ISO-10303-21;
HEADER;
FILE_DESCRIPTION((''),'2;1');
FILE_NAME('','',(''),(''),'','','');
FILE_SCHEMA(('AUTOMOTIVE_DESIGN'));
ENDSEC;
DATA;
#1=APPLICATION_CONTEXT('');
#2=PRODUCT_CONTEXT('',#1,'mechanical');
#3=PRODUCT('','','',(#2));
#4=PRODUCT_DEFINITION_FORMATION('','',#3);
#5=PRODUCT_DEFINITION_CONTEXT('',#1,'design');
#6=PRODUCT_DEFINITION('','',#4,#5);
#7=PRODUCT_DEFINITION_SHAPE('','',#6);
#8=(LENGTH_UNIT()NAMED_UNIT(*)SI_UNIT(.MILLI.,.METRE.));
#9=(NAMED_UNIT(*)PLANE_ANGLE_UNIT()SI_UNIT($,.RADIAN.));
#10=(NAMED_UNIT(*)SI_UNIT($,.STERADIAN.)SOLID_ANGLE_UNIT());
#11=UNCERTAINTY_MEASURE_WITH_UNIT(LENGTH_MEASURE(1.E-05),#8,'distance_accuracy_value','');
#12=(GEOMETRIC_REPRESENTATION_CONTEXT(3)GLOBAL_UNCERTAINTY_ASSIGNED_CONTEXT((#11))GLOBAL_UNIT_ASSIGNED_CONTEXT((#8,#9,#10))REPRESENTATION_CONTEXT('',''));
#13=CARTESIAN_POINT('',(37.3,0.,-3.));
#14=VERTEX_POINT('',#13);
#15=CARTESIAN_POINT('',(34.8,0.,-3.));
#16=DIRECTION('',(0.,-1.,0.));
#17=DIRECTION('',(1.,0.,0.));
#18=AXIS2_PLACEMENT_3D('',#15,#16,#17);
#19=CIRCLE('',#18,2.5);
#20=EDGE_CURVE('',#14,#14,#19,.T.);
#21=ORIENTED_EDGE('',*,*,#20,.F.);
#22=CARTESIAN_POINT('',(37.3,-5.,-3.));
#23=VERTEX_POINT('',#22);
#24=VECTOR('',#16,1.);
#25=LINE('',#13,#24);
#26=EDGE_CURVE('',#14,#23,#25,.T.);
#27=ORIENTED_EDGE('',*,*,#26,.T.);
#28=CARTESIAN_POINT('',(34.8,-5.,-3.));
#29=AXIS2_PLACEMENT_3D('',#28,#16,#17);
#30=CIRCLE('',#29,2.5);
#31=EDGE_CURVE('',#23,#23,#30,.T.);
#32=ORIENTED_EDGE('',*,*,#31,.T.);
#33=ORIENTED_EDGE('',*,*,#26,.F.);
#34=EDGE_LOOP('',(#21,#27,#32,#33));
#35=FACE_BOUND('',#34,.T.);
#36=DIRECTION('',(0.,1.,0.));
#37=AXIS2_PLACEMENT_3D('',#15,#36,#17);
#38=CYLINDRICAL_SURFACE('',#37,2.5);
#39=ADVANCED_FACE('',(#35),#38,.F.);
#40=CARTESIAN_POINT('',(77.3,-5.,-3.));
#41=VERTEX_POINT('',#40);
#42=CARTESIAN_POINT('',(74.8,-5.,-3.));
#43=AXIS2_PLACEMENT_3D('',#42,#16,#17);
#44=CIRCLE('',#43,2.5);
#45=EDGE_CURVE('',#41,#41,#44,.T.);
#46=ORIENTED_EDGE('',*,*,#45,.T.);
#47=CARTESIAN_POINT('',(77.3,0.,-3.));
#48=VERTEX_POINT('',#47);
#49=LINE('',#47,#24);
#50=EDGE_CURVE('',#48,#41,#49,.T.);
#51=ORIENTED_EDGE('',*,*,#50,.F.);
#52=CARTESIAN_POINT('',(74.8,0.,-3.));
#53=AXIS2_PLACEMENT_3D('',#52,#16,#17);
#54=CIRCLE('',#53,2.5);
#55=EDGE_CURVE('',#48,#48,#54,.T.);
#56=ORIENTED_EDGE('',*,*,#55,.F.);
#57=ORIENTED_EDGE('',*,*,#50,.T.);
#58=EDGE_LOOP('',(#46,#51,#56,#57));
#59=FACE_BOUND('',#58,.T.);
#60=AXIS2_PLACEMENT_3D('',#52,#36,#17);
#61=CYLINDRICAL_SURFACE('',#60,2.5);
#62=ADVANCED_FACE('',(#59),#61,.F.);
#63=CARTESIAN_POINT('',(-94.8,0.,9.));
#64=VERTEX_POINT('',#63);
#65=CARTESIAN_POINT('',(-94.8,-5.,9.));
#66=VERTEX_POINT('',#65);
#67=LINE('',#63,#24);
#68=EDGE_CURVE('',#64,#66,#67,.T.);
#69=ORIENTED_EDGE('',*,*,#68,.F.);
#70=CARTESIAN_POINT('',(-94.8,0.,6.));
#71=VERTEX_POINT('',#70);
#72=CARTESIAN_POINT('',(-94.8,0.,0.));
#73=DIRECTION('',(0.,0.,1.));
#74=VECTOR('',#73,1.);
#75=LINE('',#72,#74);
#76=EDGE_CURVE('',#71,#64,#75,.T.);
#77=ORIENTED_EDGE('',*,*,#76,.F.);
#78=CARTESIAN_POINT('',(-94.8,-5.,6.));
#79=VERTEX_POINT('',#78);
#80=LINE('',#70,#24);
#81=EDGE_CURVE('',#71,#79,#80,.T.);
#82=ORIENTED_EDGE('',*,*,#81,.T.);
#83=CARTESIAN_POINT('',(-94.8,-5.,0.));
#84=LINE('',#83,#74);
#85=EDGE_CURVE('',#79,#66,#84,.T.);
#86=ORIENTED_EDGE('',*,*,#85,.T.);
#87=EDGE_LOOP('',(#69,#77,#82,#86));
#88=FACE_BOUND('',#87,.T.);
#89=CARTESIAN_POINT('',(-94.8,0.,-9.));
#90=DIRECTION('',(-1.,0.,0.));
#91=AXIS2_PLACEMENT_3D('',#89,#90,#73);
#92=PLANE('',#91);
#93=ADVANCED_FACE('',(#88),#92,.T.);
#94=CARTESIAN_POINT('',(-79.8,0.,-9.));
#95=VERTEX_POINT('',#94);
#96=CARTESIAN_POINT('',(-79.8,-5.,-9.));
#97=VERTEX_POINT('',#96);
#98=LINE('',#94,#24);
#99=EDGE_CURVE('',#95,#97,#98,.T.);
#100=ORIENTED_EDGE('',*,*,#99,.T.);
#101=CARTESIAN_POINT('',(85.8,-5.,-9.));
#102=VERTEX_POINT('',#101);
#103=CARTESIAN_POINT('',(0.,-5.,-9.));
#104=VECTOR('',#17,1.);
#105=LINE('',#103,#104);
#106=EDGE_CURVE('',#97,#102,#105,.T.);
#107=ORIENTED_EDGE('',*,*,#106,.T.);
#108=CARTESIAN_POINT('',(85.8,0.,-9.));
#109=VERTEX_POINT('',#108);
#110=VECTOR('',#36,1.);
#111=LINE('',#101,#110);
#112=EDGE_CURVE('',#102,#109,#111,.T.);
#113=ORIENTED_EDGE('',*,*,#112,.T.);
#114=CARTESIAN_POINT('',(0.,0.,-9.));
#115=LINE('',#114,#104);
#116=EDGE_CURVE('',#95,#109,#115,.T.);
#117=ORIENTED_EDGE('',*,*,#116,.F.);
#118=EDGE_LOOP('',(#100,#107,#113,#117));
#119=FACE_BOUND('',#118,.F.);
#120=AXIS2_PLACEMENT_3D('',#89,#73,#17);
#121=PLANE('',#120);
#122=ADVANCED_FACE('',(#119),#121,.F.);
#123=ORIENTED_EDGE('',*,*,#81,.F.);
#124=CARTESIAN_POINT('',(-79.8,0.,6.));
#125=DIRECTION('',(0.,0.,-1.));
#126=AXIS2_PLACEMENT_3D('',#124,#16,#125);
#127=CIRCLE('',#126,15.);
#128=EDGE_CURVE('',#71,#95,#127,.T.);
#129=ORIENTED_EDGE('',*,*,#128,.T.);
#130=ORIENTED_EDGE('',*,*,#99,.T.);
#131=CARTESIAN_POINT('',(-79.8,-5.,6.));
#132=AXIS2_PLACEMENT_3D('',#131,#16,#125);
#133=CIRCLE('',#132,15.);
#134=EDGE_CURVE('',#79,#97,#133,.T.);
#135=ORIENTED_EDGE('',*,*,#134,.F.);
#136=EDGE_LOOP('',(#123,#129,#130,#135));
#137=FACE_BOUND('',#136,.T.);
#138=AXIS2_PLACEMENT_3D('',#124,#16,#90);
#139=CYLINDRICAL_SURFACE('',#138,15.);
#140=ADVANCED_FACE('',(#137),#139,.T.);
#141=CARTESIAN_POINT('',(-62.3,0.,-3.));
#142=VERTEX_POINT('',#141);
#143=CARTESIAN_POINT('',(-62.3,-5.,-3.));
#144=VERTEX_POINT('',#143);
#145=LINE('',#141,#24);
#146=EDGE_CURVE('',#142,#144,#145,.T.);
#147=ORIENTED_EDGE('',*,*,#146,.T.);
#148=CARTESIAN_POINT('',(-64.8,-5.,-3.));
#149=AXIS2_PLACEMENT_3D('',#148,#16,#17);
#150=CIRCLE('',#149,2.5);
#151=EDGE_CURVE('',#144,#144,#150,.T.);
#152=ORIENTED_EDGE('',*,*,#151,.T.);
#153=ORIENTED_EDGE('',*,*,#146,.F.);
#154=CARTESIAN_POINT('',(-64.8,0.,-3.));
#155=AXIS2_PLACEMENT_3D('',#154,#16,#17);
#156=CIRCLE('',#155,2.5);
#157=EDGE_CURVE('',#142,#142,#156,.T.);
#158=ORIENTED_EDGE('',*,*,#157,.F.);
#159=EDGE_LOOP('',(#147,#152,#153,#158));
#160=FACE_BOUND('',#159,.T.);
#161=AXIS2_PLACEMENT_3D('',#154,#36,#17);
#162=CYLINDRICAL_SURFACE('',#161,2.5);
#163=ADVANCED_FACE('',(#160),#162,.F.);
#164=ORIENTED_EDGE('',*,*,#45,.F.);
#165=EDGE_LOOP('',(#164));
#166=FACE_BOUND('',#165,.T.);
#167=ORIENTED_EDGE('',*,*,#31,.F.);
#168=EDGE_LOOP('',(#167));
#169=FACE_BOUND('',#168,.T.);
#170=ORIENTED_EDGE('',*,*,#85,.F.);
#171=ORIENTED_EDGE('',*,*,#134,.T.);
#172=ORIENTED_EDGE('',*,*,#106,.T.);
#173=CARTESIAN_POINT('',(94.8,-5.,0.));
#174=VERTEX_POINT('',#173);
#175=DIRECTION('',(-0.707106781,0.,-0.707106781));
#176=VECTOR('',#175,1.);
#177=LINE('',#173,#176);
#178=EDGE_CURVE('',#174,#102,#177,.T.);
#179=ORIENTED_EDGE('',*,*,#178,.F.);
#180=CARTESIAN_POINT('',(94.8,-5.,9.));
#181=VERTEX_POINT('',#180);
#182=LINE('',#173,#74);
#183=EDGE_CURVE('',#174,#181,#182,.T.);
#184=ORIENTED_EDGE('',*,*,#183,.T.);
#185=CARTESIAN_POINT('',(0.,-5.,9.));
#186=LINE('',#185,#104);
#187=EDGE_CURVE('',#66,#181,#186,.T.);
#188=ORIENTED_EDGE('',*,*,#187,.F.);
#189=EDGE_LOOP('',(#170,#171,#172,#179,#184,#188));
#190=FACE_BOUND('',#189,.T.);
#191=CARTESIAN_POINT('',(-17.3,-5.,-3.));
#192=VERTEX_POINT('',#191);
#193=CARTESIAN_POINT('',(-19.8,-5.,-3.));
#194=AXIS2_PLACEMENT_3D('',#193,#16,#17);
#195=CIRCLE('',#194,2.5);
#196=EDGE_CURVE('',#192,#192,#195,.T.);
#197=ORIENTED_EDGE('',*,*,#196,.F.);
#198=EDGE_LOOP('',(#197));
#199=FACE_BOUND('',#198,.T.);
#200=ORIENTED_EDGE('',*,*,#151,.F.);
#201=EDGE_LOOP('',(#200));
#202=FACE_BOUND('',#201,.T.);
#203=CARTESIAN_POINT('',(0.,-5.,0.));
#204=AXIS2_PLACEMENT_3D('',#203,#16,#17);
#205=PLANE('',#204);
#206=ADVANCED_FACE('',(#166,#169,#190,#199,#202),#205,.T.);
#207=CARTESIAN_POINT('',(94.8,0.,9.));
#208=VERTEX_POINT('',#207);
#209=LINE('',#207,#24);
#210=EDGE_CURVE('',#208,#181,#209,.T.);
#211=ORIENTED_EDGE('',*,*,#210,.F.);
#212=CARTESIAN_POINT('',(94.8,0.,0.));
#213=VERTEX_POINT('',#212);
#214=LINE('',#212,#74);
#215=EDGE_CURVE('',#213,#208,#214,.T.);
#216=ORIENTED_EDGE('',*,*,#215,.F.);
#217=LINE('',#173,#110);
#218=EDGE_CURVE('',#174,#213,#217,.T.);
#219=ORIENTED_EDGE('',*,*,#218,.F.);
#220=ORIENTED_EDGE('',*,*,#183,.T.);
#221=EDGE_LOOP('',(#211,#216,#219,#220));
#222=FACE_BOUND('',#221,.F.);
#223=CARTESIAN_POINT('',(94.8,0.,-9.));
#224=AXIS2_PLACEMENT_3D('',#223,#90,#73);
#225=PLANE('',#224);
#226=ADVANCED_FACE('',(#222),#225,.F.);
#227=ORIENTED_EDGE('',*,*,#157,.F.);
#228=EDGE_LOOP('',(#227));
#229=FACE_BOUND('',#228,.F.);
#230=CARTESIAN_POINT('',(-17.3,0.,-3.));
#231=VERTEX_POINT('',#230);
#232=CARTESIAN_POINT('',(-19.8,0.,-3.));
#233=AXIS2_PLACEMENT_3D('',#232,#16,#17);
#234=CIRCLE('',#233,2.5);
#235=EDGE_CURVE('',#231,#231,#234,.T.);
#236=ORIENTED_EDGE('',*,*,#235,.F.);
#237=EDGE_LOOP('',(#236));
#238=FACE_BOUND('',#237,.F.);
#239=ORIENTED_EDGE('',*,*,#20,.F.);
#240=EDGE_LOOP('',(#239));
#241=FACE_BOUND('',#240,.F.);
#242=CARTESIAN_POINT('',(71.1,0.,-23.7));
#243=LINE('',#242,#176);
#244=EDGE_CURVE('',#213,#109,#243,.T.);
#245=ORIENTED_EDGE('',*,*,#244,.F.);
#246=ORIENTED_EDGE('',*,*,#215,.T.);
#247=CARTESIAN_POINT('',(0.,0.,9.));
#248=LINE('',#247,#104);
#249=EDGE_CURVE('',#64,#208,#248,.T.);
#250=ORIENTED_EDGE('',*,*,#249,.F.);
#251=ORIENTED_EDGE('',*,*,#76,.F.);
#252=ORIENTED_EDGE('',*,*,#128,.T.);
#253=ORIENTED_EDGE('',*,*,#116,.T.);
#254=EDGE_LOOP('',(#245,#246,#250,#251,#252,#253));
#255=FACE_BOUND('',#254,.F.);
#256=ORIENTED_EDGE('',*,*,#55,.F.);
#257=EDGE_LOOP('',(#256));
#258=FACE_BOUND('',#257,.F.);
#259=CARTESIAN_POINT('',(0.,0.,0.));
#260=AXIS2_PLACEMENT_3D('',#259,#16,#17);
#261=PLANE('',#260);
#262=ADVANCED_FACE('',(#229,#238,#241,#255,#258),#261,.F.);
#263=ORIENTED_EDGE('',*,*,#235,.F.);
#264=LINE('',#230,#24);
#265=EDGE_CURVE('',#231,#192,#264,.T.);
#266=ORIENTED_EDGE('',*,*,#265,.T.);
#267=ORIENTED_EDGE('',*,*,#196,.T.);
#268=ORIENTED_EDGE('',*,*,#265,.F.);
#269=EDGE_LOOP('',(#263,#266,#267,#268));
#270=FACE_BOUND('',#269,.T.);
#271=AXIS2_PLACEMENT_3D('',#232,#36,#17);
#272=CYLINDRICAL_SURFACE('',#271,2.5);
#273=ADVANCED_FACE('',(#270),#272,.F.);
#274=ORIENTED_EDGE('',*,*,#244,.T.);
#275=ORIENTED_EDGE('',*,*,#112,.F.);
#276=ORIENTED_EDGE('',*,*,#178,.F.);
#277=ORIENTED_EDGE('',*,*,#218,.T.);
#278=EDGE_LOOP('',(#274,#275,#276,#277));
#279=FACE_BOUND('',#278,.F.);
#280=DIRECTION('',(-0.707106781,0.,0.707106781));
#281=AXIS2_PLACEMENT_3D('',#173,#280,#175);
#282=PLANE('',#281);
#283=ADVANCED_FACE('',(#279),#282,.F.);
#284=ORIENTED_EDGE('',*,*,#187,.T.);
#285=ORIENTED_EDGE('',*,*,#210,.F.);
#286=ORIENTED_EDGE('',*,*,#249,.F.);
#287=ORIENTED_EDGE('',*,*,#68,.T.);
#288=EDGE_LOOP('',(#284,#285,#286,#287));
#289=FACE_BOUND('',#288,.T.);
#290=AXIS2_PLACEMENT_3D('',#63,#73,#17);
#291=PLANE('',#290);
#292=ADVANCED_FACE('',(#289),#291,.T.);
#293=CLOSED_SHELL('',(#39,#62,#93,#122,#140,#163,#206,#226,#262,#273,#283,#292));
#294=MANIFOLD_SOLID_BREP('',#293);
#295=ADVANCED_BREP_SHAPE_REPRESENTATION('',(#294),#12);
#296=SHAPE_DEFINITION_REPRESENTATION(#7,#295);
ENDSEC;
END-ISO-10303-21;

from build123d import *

# Parameters (mm, degrees)
F0_W     = 189.6
F0_H     = 18
F0_R     = 2.5
F1_DEPTH = 5
F3_DEPTH = 25
F4_R     = 15


with BuildPart() as f1:
    # F0 (on Front) → F1 (new body)
    with BuildSketch(Plane.XZ):
        Rectangle(F0_W, F0_H)
        with Locations((-64.8, -3)):
            Circle(F0_R, mode=Mode.SUBTRACT)
        with Locations((-19.8, -3)):
            Circle(F0_R, mode=Mode.SUBTRACT)
        with Locations((34.8, -3)):
            Circle(F0_R, mode=Mode.SUBTRACT)
        with Locations((74.8, -3)):
            Circle(F0_R, mode=Mode.SUBTRACT)
    extrude(amount=F1_DEPTH)

    # F2 (on face) → F3 (cut)
    with BuildSketch(Plane.XZ.offset(5)):
        Polygon((94.8, -9), (94.8, 0), (85.8, -9), align=None)
    extrude(amount=-F3_DEPTH, mode=Mode.SUBTRACT)

    # F4
    f4_edges = [f1.edges().sort_by_distance(p)[0] for p in [
        (-94.8, -2.5, -9),
    ]]
    fillet(f4_edges, radius=F4_R)


solid = f1.part
